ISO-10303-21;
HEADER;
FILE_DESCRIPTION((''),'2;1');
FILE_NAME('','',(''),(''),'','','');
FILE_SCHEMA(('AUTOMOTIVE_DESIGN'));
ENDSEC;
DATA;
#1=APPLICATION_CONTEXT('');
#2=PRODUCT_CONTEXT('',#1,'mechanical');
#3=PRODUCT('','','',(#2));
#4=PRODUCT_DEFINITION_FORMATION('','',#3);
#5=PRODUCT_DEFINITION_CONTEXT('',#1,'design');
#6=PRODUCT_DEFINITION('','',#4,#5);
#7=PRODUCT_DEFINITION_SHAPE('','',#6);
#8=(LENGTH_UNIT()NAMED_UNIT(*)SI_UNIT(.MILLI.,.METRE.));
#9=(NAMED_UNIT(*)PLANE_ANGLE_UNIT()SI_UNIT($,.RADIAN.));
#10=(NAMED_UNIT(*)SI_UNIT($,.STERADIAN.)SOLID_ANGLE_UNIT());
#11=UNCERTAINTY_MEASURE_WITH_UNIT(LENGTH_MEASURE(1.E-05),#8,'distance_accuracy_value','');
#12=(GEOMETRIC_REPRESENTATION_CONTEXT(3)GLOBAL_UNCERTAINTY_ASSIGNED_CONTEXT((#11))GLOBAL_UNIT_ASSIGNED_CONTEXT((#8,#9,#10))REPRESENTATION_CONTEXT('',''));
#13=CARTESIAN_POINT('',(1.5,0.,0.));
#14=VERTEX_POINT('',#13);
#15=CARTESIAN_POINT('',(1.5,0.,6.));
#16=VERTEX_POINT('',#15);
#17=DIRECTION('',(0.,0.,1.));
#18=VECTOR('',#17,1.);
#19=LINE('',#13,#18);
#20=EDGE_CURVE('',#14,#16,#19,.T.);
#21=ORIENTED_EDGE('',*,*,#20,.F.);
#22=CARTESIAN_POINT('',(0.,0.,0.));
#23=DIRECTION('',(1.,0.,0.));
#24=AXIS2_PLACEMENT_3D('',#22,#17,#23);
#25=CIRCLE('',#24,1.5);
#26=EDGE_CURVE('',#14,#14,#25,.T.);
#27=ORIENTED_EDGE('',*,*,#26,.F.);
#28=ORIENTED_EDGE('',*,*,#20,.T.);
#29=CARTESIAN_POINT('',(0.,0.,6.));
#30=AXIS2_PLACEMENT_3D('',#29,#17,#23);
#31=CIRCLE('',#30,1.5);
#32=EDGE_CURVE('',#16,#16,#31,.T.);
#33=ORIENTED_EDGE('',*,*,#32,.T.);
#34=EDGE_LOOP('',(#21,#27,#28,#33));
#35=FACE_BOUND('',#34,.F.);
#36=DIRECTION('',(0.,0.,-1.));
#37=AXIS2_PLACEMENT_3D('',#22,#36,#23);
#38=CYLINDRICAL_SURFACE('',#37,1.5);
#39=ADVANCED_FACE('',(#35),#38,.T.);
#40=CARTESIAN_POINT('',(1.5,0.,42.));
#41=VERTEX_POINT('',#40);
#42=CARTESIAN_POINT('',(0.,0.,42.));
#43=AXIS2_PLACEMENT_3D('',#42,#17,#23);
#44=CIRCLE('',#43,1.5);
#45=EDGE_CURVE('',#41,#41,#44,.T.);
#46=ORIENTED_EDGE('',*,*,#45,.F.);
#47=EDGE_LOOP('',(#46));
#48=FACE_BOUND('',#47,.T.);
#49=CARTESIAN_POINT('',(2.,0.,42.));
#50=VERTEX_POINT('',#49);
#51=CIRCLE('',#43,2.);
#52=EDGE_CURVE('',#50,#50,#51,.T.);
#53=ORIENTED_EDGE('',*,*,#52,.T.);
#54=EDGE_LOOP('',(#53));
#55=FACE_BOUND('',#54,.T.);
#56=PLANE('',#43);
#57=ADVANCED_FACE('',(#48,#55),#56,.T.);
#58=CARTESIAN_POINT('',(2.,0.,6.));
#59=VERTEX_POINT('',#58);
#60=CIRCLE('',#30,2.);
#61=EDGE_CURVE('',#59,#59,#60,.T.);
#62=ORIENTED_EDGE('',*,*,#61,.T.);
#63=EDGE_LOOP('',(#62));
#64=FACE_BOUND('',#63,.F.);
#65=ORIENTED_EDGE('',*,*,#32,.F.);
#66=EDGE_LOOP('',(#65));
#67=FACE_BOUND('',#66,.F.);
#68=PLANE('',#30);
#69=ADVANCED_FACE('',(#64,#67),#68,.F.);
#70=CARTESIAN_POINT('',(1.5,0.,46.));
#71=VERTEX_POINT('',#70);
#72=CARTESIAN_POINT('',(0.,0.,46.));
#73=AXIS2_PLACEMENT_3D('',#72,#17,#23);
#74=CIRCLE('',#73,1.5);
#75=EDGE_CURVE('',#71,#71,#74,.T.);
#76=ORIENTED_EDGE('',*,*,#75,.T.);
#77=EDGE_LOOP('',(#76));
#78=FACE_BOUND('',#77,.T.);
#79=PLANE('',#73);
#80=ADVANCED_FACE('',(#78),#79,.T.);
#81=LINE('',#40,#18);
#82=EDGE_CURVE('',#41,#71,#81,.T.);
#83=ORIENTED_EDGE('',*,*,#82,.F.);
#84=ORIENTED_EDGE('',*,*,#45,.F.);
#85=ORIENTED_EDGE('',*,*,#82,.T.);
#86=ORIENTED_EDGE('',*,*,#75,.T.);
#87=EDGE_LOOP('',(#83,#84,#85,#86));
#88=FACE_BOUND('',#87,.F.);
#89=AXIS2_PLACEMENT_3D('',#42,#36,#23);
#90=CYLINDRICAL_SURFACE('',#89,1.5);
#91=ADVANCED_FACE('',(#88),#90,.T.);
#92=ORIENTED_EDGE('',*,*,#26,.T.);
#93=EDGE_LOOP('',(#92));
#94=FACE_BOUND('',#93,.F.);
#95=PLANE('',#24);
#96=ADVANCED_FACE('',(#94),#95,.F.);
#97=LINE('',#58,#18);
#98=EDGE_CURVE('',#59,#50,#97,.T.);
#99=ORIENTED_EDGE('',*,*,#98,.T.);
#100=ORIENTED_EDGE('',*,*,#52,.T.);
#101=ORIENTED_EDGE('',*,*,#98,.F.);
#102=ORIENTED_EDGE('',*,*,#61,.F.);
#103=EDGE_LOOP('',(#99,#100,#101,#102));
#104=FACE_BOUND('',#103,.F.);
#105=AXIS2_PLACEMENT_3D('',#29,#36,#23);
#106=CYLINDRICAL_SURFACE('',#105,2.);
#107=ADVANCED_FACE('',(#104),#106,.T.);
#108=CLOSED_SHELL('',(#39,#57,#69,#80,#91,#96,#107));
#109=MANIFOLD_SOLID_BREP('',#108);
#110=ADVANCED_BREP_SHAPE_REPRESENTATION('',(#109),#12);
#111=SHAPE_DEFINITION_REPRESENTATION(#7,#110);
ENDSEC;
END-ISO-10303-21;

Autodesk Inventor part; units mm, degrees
ref_plane "YZ Plane" through (0, 0, 0) normal (1, 0, 0) x (0, 1, 0)
ref_plane "XZ Plane" through (0, 0, 0) normal (0, 1, 0) x (-1, 0, 0)
ref_plane "XY Plane" through (0, 0, 0) normal (0, 0, 1) x (1, 0, 0)
sketch "Sketch1" plane through (0, 0, 0) normal (0, 0, 1) x (1, 0, 0)
  circle A0 centre (0, 0) radius 1.5
  dimension "d0" = 3
extrude "Extrusion1" add sketch "Sketch1" along normal blind 6
sketch "Sketch2" plane through (0, 0, 6) normal (0, 0, 1) x (1, 0, 0)
  circle A0 centre (0, 0) radius 2
  dimension "d3" = 4
extrude "Extrusion2" add sketch "Sketch2" along normal blind 36
sketch "Sketch3" plane through (0, 0, 42) normal (0, 0, 1) x (1, 0, 0)
  circle A0 centre (0, 0) radius 1.5
  dimension "d6" = 3
extrude "Extrusion3" add sketch "Sketch3" along normal blind 4
thread "Thread1" size "M3x0.5" class "6g" standard "ANSI Metric M Profile" full length
properties material "Stainless Steel"
